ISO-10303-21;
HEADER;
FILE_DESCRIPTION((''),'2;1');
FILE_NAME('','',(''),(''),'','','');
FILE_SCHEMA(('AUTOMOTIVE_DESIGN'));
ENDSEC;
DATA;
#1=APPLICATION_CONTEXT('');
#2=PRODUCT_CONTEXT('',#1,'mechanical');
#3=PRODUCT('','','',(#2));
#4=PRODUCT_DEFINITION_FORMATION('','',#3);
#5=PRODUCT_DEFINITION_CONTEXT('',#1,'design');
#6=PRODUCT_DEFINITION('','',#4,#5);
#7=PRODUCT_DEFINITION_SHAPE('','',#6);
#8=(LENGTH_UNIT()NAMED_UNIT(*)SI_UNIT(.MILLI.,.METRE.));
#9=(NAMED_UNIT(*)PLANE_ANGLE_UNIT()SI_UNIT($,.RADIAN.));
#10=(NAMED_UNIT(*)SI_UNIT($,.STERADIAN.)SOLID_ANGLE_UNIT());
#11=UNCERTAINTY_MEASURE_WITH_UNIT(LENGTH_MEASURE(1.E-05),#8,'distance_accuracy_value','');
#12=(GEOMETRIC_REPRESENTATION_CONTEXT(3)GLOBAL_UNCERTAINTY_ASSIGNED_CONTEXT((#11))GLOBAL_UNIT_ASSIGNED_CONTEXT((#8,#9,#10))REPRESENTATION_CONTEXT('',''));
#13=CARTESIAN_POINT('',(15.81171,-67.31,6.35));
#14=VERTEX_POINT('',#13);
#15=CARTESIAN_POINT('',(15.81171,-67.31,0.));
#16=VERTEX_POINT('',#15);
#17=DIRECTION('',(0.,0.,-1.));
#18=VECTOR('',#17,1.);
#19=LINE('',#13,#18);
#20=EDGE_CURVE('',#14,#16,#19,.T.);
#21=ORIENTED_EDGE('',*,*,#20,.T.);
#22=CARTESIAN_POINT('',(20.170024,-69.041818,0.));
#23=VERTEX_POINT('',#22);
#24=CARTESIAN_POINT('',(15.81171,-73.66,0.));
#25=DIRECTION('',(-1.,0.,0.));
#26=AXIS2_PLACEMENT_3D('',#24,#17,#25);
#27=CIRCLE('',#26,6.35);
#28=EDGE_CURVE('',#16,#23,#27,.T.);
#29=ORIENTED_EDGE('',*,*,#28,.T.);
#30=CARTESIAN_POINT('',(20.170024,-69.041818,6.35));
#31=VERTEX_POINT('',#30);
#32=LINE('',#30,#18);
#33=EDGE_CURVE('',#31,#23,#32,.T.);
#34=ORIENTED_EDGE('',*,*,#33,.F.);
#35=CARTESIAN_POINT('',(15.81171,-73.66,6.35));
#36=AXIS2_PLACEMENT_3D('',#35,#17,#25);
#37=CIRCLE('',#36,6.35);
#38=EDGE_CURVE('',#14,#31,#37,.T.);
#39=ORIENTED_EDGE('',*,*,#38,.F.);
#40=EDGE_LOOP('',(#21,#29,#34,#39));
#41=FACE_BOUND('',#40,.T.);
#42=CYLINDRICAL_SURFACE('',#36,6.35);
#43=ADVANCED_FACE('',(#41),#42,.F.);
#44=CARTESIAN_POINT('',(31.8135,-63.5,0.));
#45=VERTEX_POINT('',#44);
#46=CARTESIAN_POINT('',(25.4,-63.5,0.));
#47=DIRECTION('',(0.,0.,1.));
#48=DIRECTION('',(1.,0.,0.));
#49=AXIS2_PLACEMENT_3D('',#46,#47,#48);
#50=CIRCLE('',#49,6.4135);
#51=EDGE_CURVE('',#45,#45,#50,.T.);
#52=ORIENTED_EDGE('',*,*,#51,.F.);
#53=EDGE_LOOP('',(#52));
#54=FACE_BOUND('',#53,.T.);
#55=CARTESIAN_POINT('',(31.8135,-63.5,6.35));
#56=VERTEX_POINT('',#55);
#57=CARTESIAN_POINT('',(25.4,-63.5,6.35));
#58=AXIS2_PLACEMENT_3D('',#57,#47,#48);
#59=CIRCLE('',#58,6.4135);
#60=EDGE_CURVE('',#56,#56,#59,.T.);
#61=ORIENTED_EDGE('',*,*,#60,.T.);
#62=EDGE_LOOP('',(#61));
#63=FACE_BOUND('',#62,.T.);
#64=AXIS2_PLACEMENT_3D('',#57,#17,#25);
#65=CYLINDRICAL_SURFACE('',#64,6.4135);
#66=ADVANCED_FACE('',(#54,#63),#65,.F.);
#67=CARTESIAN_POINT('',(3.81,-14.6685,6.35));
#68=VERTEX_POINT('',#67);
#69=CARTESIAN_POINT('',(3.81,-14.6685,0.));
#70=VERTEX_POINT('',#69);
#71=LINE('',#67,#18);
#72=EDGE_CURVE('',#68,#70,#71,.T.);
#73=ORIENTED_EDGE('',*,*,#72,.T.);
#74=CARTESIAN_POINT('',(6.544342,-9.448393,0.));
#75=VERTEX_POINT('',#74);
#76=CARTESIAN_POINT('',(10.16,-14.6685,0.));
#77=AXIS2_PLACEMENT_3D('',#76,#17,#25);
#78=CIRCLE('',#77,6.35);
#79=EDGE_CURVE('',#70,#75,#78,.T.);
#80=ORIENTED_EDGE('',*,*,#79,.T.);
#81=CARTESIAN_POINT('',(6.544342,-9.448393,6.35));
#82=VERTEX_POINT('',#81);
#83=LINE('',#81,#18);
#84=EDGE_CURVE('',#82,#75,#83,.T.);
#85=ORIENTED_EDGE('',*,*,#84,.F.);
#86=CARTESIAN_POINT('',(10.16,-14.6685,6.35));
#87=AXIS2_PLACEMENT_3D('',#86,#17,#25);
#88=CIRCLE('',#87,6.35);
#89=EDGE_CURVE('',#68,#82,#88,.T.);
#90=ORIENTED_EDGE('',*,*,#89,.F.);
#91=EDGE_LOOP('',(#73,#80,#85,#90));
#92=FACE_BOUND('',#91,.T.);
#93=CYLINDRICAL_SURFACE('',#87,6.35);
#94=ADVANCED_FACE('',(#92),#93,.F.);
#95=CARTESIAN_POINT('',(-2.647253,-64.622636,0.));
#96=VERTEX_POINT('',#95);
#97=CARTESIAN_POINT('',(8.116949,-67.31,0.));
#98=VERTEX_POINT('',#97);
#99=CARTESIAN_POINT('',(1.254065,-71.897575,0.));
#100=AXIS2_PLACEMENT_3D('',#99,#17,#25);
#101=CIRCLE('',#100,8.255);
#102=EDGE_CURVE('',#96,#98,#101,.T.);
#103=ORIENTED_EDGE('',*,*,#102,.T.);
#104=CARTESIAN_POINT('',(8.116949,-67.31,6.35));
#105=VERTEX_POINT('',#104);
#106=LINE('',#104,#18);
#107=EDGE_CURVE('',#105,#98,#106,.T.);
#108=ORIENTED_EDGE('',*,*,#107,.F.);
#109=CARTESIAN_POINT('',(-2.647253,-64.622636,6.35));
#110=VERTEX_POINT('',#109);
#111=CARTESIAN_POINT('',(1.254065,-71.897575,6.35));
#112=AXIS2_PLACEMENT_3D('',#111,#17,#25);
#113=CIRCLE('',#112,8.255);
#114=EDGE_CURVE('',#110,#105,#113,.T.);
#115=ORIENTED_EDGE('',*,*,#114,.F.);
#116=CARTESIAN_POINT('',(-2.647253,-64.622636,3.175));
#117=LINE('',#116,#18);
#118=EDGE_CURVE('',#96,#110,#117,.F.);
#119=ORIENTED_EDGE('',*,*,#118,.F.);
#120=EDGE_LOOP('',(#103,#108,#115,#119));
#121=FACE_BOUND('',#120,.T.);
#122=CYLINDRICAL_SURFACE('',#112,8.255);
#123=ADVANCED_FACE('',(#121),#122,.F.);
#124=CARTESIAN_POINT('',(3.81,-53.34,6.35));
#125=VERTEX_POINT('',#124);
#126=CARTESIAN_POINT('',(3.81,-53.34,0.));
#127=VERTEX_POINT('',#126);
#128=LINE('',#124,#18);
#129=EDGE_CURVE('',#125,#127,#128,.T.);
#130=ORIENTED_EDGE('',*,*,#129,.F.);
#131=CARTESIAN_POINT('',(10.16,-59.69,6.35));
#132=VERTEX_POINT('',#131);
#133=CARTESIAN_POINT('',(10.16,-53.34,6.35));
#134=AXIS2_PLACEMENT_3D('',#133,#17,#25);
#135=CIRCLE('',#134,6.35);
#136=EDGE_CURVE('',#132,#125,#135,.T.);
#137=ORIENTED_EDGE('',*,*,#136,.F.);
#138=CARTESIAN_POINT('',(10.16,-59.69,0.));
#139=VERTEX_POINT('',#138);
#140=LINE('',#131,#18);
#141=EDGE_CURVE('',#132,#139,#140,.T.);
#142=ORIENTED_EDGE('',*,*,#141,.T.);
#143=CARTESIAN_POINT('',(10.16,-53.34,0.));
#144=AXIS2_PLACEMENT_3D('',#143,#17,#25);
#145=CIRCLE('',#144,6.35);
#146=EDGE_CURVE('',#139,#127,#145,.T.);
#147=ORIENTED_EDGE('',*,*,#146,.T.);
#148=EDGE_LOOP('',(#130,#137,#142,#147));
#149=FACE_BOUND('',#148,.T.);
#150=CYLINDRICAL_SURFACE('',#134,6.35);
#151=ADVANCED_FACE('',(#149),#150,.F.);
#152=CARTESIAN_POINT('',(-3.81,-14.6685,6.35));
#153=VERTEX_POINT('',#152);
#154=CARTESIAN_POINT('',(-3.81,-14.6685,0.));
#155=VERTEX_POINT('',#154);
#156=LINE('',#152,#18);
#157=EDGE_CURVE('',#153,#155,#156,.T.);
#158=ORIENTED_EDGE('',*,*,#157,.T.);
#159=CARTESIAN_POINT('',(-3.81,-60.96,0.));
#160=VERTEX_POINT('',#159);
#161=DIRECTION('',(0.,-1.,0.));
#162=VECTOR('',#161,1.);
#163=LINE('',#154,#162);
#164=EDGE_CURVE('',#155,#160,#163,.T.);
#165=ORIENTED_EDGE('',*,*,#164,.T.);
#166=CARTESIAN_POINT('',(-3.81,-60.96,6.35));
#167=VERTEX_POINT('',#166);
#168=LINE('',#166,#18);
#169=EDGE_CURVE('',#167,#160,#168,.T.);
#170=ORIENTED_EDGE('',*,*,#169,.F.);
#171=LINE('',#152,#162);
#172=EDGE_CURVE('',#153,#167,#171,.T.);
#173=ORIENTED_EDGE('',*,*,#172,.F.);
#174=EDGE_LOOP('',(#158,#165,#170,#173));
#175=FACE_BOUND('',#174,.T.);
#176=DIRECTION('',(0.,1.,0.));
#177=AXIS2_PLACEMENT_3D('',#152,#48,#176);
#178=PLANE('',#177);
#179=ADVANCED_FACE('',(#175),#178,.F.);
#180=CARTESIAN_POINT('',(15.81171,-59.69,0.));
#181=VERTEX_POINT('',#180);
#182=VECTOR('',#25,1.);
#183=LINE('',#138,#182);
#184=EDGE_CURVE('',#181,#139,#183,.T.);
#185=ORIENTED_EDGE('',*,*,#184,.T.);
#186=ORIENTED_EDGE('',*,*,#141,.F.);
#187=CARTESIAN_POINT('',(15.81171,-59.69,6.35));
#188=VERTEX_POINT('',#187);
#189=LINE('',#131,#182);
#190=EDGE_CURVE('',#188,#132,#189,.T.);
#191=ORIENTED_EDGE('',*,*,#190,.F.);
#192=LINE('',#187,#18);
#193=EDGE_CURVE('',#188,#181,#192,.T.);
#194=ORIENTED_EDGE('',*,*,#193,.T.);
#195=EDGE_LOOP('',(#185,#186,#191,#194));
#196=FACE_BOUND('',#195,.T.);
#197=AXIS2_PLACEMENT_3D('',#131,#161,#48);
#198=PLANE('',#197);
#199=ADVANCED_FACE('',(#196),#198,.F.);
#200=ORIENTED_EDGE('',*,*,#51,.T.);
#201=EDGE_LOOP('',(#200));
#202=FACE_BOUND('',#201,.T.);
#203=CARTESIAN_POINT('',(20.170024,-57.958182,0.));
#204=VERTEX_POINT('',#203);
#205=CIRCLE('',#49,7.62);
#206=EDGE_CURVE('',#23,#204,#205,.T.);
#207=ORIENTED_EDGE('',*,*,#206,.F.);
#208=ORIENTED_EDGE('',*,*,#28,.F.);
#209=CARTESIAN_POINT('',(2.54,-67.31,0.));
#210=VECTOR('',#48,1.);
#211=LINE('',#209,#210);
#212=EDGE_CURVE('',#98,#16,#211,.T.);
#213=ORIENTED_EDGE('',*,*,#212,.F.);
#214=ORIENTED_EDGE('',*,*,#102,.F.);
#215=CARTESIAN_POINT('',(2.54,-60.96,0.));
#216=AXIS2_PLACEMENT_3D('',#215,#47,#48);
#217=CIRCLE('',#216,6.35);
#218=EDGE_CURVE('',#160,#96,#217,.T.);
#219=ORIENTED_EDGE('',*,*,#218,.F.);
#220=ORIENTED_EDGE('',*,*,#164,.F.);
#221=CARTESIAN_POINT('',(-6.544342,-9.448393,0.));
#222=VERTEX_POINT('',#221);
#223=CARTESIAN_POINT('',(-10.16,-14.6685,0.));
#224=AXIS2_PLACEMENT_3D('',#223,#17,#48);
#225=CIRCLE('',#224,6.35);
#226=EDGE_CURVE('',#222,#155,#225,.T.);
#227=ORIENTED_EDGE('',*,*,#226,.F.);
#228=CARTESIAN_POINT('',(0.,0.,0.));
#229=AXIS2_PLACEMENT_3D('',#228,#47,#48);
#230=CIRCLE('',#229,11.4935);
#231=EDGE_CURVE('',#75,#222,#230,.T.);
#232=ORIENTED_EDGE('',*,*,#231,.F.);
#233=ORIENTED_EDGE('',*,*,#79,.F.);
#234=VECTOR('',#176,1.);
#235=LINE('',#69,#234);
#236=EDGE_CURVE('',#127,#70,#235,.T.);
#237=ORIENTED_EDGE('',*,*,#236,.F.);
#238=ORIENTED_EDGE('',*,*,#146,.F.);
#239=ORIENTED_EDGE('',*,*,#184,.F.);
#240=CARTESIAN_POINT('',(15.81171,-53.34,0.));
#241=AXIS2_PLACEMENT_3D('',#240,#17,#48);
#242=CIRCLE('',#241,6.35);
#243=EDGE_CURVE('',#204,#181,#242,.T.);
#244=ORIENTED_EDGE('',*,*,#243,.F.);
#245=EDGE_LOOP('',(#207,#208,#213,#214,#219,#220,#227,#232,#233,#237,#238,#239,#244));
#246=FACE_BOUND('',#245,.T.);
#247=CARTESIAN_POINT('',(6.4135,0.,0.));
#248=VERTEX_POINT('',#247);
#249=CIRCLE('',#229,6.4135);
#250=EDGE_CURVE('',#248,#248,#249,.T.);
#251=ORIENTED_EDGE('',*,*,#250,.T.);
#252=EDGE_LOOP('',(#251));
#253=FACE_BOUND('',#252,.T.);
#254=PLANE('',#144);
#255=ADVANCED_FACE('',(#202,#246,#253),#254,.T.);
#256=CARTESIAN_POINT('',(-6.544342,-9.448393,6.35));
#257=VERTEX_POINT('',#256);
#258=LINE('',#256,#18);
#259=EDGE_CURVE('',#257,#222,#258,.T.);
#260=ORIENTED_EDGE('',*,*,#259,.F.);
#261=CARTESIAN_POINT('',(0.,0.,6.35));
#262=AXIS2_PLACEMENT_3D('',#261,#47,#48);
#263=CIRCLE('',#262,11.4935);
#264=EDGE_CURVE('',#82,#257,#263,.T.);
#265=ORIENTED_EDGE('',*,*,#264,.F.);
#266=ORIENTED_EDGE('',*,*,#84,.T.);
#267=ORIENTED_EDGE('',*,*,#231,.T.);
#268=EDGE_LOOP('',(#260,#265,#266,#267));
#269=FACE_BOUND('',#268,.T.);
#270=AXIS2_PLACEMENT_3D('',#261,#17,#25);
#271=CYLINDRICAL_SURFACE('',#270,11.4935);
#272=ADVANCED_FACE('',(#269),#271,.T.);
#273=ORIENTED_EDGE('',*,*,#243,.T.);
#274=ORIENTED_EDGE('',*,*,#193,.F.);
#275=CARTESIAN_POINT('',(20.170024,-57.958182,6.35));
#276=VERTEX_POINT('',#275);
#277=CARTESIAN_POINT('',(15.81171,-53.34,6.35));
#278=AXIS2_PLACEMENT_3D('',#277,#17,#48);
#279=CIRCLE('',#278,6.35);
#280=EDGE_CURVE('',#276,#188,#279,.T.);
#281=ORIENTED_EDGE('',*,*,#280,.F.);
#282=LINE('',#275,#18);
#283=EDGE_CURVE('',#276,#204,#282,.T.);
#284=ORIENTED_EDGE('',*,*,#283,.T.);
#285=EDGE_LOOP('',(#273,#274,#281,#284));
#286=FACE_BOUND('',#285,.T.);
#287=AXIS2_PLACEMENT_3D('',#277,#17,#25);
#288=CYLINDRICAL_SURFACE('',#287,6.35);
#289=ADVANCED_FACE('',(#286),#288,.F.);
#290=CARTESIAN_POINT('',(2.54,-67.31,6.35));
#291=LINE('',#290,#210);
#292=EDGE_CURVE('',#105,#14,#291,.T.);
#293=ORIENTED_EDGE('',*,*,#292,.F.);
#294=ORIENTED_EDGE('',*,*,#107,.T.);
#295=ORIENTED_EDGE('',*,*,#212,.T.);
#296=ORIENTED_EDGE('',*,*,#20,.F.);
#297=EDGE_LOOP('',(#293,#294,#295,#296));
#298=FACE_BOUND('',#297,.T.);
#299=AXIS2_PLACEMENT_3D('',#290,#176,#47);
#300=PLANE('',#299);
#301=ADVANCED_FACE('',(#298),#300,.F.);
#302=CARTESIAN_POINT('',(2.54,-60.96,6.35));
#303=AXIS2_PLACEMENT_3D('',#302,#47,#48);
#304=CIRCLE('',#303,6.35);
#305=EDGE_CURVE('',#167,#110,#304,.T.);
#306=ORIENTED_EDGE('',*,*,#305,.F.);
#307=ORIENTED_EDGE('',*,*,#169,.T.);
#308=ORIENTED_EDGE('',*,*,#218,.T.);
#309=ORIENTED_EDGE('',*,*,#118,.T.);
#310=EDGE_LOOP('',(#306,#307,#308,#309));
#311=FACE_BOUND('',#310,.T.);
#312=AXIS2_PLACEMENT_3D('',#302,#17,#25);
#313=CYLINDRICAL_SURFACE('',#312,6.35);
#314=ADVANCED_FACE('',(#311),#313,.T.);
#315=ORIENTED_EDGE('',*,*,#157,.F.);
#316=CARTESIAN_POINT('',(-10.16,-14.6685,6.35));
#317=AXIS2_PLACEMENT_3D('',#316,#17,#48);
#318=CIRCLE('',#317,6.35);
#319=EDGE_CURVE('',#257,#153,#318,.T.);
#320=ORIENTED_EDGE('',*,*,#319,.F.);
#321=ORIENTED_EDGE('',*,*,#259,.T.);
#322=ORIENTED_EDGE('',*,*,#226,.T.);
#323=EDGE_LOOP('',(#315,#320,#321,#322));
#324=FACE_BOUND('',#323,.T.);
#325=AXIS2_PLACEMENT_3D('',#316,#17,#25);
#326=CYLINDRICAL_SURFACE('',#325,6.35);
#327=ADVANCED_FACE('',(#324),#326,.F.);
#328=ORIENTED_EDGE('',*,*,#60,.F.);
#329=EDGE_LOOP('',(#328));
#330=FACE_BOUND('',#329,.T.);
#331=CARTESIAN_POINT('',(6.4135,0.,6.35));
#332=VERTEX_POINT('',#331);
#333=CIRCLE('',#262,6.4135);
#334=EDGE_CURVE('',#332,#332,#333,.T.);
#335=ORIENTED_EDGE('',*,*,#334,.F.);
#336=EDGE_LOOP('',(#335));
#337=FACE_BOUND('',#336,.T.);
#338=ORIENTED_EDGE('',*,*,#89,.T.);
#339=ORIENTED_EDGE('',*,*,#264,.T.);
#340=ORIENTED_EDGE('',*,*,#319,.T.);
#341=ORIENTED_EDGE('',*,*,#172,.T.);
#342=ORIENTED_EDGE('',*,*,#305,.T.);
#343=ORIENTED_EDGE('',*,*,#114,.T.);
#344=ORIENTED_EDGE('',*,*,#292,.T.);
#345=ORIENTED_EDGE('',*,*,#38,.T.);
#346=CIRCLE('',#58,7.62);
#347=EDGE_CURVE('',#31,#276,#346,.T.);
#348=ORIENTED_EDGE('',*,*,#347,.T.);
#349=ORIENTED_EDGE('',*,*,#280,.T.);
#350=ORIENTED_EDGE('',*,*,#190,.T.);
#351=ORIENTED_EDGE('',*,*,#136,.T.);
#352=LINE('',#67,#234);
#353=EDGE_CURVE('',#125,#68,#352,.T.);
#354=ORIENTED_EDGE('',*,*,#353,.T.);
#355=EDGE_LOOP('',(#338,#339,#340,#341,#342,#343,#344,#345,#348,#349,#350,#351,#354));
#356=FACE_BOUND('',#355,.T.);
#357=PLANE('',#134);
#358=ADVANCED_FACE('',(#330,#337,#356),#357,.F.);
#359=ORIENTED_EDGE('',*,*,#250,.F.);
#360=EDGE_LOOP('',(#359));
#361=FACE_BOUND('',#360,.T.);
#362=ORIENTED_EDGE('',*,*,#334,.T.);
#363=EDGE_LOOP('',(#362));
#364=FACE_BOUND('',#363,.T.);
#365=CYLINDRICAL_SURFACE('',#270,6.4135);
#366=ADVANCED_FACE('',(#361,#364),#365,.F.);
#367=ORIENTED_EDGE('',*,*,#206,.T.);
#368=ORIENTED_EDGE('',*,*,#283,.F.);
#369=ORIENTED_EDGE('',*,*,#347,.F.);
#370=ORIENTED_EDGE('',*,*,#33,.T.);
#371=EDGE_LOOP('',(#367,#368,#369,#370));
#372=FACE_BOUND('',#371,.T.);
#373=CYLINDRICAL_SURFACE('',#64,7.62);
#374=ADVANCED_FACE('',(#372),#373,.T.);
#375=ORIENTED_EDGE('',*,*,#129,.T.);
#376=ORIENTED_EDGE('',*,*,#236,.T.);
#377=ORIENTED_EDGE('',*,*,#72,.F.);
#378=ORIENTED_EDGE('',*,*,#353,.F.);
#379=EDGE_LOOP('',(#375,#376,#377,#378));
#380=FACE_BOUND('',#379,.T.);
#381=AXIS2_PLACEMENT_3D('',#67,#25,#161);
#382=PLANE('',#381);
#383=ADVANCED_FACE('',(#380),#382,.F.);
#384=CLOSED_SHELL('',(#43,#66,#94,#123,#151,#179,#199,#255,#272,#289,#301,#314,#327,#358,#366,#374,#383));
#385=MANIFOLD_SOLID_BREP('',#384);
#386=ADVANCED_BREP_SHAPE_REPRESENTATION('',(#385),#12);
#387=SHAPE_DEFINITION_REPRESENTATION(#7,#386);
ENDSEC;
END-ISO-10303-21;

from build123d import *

# Parameters (mm, degrees)
ESQUISSE1_R             = 6.4135
BOSS_EXTRU_1_DEPTH      = 6.35
ESQUISSE5_R             = 8.255
ENL_V_MAT_EXTRU_3_DEPTH = 7.35


with BuildPart() as part:
    # Esquisse1 → Boss.-Extru.1 (new body)
    with BuildSketch(Plane.XY):
        with BuildLine():
            Line((-3.81, -14.6685), (-3.81, -60.96))
            ThreePointArc((-3.81, -60.96), (-1.950128061, -65.450128061), (2.54, -67.31))
            Line((2.54, -67.31), (15.811710267, -67.31))
            ThreePointArc((15.811710267, -67.31), (18.15660317, -67.758815604), (20.170023782, -69.041818182))
            ThreePointArc((20.170023782, -69.041818182), (33.02, -63.5), (20.170023782, -57.958181818))
            ThreePointArc((20.170023782, -57.958181818), (18.15660317, -59.241184396), (15.811710267, -59.69))
            Line((15.811710267, -59.69), (10.16, -59.69))
            ThreePointArc((10.16, -59.69), (5.669871939, -57.830128061), (3.81, -53.34))
            Line((3.81, -53.34), (3.81, -14.6685))
            ThreePointArc((3.81, -14.6685), (4.534969751, -11.722055584), (6.544341637, -9.448393238))
            ThreePointArc((6.544341637, -9.448393238), (0, 11.4935), (-6.544341637, -9.448393238))
            ThreePointArc((-6.544341637, -9.448393238), (-4.534969751, -11.722055584), (-3.81, -14.6685))
        make_face()
        Circle(ESQUISSE1_R, mode=Mode.SUBTRACT)
        with Locations((25.4, -63.5)):
            Circle(ESQUISSE1_R, mode=Mode.SUBTRACT)
    extrude(amount=BOSS_EXTRU_1_DEPTH)

    # Esquisse5 → Enlèv. mat.-Extru.3 (cut, through all)
    with BuildSketch(Plane(origin=(0, 0, 0), x_dir=(-1, 0, 0), z_dir=(0, 0, -1))):
        with Locations((-1.254065113, -71.897575416)):
            Circle(ESQUISSE5_R)
    extrude(amount=-ENL_V_MAT_EXTRU_3_DEPTH, mode=Mode.SUBTRACT)


solid = part.part
